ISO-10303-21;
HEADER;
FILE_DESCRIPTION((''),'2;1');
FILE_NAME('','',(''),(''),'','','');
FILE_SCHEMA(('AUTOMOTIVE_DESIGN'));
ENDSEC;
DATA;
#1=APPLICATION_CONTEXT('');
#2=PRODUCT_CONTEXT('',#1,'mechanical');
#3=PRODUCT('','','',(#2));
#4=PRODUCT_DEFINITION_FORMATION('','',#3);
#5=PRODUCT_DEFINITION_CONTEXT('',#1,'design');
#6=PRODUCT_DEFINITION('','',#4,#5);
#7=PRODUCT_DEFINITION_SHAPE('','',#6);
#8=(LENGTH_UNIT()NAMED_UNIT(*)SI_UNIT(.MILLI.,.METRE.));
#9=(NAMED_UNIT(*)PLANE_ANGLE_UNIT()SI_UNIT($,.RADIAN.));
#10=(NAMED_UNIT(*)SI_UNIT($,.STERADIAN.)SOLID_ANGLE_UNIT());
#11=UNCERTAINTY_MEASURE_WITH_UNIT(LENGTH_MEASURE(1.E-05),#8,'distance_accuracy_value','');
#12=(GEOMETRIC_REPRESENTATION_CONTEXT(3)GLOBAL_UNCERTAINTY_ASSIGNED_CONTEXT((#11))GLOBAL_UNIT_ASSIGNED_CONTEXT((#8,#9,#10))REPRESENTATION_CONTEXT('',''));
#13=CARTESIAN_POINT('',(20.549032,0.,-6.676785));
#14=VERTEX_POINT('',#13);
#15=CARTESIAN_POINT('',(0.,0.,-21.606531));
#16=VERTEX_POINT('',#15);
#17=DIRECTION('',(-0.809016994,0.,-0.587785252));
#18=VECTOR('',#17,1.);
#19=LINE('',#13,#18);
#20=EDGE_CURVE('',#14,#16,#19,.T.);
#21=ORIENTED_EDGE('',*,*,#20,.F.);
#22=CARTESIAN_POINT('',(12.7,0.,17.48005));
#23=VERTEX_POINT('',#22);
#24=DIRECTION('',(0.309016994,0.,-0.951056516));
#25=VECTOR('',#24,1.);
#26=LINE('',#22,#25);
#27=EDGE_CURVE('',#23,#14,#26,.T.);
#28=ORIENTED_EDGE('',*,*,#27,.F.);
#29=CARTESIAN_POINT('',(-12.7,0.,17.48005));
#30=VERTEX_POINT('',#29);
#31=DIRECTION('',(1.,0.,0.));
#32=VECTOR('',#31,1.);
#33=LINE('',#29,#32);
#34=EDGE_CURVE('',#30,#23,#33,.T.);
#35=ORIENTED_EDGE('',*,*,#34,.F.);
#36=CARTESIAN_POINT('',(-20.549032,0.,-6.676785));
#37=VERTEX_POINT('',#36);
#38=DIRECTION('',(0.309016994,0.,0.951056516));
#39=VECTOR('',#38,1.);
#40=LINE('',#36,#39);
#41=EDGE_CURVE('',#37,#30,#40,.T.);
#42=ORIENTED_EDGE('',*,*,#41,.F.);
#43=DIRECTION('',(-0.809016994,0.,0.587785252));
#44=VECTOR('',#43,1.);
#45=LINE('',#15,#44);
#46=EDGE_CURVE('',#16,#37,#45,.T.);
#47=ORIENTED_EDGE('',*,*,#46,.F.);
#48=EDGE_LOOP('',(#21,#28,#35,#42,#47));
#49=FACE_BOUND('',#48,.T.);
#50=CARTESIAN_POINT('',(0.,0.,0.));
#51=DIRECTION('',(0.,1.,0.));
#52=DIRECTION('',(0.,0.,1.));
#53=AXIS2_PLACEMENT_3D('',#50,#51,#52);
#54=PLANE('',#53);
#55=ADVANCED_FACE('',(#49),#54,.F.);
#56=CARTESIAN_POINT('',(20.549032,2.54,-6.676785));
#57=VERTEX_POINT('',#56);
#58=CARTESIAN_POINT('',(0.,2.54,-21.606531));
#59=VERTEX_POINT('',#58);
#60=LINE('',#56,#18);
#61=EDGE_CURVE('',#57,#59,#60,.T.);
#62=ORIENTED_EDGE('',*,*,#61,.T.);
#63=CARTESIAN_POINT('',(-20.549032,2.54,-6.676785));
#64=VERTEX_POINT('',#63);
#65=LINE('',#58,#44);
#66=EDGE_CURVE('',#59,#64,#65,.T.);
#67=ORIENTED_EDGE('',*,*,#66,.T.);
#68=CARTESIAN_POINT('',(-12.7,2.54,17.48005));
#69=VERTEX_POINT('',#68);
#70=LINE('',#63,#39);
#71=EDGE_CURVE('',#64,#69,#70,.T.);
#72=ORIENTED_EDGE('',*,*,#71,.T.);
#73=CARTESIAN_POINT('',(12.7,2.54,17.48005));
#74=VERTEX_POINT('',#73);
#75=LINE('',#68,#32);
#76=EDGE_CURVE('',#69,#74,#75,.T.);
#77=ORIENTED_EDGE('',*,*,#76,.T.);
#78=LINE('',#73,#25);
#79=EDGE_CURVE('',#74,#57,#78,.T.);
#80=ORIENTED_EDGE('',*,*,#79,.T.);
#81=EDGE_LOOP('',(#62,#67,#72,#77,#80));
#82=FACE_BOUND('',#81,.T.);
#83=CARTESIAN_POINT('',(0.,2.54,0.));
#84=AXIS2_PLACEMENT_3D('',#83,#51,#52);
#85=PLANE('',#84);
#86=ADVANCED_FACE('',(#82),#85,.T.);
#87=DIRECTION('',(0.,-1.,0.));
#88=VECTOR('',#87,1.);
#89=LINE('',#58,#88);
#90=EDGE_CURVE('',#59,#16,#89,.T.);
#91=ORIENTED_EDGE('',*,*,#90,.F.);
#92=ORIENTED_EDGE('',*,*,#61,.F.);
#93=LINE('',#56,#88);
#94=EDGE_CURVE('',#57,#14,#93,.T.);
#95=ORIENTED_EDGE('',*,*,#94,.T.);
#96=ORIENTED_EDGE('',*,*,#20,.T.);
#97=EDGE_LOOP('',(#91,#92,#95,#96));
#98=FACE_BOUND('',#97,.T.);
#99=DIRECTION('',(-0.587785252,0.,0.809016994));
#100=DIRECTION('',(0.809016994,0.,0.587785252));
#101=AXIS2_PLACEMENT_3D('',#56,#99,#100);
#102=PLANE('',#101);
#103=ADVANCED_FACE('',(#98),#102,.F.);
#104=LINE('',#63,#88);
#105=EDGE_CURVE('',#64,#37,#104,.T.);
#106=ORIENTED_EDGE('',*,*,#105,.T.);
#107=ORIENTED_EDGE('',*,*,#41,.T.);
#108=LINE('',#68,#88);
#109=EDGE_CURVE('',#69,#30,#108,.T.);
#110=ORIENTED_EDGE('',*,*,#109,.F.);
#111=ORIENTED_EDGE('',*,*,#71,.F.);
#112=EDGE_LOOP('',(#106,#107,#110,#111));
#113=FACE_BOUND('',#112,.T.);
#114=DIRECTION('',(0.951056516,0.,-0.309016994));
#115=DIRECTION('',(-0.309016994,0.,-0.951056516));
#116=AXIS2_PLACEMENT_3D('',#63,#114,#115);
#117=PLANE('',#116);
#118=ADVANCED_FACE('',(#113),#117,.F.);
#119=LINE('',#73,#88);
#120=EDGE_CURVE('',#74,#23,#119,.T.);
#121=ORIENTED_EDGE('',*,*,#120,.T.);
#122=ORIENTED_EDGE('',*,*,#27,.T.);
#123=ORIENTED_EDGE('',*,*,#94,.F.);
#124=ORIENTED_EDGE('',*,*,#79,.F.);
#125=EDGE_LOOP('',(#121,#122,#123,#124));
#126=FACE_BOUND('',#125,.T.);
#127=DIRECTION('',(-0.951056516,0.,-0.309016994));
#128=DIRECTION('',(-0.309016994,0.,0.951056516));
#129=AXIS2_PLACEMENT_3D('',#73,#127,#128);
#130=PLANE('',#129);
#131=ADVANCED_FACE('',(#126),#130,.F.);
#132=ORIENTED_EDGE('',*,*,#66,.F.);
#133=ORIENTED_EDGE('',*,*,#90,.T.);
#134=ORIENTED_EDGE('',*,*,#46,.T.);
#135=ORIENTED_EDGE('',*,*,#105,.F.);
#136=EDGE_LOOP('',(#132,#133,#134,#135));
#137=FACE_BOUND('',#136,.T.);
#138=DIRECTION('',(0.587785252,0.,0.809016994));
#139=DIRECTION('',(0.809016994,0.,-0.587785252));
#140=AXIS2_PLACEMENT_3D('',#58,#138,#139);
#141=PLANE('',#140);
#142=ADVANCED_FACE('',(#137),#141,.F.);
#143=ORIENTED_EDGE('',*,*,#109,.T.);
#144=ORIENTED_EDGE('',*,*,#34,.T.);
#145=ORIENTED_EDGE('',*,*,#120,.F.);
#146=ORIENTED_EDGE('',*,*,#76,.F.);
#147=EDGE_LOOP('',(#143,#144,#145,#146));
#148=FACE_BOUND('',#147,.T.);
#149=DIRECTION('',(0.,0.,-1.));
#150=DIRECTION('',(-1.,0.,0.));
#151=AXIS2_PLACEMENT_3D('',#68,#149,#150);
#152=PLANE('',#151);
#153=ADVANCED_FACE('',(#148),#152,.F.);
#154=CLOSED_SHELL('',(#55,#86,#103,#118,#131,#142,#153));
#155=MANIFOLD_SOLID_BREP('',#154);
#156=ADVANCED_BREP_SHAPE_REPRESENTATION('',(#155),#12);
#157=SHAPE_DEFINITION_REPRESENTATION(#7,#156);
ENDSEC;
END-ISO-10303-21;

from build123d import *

# Parameters (mm, degrees)
BOSS_EXTRUDE1_DEPTH = 2.54


with BuildPart() as part:
    # Sketch1 → Boss-Extrude1 (new body)
    with BuildSketch(Plane(origin=(0, 0, 0), x_dir=(1, 0, 0), z_dir=(0, 1, 0))):
        Polygon((0, 21.606530532), (-20.549031657, 6.676785124), (-12.7, -17.48005039), (12.7, -17.48005039), (20.549031657, 6.676785124), align=None)
    extrude(amount=BOSS_EXTRUDE1_DEPTH)


solid = part.part
